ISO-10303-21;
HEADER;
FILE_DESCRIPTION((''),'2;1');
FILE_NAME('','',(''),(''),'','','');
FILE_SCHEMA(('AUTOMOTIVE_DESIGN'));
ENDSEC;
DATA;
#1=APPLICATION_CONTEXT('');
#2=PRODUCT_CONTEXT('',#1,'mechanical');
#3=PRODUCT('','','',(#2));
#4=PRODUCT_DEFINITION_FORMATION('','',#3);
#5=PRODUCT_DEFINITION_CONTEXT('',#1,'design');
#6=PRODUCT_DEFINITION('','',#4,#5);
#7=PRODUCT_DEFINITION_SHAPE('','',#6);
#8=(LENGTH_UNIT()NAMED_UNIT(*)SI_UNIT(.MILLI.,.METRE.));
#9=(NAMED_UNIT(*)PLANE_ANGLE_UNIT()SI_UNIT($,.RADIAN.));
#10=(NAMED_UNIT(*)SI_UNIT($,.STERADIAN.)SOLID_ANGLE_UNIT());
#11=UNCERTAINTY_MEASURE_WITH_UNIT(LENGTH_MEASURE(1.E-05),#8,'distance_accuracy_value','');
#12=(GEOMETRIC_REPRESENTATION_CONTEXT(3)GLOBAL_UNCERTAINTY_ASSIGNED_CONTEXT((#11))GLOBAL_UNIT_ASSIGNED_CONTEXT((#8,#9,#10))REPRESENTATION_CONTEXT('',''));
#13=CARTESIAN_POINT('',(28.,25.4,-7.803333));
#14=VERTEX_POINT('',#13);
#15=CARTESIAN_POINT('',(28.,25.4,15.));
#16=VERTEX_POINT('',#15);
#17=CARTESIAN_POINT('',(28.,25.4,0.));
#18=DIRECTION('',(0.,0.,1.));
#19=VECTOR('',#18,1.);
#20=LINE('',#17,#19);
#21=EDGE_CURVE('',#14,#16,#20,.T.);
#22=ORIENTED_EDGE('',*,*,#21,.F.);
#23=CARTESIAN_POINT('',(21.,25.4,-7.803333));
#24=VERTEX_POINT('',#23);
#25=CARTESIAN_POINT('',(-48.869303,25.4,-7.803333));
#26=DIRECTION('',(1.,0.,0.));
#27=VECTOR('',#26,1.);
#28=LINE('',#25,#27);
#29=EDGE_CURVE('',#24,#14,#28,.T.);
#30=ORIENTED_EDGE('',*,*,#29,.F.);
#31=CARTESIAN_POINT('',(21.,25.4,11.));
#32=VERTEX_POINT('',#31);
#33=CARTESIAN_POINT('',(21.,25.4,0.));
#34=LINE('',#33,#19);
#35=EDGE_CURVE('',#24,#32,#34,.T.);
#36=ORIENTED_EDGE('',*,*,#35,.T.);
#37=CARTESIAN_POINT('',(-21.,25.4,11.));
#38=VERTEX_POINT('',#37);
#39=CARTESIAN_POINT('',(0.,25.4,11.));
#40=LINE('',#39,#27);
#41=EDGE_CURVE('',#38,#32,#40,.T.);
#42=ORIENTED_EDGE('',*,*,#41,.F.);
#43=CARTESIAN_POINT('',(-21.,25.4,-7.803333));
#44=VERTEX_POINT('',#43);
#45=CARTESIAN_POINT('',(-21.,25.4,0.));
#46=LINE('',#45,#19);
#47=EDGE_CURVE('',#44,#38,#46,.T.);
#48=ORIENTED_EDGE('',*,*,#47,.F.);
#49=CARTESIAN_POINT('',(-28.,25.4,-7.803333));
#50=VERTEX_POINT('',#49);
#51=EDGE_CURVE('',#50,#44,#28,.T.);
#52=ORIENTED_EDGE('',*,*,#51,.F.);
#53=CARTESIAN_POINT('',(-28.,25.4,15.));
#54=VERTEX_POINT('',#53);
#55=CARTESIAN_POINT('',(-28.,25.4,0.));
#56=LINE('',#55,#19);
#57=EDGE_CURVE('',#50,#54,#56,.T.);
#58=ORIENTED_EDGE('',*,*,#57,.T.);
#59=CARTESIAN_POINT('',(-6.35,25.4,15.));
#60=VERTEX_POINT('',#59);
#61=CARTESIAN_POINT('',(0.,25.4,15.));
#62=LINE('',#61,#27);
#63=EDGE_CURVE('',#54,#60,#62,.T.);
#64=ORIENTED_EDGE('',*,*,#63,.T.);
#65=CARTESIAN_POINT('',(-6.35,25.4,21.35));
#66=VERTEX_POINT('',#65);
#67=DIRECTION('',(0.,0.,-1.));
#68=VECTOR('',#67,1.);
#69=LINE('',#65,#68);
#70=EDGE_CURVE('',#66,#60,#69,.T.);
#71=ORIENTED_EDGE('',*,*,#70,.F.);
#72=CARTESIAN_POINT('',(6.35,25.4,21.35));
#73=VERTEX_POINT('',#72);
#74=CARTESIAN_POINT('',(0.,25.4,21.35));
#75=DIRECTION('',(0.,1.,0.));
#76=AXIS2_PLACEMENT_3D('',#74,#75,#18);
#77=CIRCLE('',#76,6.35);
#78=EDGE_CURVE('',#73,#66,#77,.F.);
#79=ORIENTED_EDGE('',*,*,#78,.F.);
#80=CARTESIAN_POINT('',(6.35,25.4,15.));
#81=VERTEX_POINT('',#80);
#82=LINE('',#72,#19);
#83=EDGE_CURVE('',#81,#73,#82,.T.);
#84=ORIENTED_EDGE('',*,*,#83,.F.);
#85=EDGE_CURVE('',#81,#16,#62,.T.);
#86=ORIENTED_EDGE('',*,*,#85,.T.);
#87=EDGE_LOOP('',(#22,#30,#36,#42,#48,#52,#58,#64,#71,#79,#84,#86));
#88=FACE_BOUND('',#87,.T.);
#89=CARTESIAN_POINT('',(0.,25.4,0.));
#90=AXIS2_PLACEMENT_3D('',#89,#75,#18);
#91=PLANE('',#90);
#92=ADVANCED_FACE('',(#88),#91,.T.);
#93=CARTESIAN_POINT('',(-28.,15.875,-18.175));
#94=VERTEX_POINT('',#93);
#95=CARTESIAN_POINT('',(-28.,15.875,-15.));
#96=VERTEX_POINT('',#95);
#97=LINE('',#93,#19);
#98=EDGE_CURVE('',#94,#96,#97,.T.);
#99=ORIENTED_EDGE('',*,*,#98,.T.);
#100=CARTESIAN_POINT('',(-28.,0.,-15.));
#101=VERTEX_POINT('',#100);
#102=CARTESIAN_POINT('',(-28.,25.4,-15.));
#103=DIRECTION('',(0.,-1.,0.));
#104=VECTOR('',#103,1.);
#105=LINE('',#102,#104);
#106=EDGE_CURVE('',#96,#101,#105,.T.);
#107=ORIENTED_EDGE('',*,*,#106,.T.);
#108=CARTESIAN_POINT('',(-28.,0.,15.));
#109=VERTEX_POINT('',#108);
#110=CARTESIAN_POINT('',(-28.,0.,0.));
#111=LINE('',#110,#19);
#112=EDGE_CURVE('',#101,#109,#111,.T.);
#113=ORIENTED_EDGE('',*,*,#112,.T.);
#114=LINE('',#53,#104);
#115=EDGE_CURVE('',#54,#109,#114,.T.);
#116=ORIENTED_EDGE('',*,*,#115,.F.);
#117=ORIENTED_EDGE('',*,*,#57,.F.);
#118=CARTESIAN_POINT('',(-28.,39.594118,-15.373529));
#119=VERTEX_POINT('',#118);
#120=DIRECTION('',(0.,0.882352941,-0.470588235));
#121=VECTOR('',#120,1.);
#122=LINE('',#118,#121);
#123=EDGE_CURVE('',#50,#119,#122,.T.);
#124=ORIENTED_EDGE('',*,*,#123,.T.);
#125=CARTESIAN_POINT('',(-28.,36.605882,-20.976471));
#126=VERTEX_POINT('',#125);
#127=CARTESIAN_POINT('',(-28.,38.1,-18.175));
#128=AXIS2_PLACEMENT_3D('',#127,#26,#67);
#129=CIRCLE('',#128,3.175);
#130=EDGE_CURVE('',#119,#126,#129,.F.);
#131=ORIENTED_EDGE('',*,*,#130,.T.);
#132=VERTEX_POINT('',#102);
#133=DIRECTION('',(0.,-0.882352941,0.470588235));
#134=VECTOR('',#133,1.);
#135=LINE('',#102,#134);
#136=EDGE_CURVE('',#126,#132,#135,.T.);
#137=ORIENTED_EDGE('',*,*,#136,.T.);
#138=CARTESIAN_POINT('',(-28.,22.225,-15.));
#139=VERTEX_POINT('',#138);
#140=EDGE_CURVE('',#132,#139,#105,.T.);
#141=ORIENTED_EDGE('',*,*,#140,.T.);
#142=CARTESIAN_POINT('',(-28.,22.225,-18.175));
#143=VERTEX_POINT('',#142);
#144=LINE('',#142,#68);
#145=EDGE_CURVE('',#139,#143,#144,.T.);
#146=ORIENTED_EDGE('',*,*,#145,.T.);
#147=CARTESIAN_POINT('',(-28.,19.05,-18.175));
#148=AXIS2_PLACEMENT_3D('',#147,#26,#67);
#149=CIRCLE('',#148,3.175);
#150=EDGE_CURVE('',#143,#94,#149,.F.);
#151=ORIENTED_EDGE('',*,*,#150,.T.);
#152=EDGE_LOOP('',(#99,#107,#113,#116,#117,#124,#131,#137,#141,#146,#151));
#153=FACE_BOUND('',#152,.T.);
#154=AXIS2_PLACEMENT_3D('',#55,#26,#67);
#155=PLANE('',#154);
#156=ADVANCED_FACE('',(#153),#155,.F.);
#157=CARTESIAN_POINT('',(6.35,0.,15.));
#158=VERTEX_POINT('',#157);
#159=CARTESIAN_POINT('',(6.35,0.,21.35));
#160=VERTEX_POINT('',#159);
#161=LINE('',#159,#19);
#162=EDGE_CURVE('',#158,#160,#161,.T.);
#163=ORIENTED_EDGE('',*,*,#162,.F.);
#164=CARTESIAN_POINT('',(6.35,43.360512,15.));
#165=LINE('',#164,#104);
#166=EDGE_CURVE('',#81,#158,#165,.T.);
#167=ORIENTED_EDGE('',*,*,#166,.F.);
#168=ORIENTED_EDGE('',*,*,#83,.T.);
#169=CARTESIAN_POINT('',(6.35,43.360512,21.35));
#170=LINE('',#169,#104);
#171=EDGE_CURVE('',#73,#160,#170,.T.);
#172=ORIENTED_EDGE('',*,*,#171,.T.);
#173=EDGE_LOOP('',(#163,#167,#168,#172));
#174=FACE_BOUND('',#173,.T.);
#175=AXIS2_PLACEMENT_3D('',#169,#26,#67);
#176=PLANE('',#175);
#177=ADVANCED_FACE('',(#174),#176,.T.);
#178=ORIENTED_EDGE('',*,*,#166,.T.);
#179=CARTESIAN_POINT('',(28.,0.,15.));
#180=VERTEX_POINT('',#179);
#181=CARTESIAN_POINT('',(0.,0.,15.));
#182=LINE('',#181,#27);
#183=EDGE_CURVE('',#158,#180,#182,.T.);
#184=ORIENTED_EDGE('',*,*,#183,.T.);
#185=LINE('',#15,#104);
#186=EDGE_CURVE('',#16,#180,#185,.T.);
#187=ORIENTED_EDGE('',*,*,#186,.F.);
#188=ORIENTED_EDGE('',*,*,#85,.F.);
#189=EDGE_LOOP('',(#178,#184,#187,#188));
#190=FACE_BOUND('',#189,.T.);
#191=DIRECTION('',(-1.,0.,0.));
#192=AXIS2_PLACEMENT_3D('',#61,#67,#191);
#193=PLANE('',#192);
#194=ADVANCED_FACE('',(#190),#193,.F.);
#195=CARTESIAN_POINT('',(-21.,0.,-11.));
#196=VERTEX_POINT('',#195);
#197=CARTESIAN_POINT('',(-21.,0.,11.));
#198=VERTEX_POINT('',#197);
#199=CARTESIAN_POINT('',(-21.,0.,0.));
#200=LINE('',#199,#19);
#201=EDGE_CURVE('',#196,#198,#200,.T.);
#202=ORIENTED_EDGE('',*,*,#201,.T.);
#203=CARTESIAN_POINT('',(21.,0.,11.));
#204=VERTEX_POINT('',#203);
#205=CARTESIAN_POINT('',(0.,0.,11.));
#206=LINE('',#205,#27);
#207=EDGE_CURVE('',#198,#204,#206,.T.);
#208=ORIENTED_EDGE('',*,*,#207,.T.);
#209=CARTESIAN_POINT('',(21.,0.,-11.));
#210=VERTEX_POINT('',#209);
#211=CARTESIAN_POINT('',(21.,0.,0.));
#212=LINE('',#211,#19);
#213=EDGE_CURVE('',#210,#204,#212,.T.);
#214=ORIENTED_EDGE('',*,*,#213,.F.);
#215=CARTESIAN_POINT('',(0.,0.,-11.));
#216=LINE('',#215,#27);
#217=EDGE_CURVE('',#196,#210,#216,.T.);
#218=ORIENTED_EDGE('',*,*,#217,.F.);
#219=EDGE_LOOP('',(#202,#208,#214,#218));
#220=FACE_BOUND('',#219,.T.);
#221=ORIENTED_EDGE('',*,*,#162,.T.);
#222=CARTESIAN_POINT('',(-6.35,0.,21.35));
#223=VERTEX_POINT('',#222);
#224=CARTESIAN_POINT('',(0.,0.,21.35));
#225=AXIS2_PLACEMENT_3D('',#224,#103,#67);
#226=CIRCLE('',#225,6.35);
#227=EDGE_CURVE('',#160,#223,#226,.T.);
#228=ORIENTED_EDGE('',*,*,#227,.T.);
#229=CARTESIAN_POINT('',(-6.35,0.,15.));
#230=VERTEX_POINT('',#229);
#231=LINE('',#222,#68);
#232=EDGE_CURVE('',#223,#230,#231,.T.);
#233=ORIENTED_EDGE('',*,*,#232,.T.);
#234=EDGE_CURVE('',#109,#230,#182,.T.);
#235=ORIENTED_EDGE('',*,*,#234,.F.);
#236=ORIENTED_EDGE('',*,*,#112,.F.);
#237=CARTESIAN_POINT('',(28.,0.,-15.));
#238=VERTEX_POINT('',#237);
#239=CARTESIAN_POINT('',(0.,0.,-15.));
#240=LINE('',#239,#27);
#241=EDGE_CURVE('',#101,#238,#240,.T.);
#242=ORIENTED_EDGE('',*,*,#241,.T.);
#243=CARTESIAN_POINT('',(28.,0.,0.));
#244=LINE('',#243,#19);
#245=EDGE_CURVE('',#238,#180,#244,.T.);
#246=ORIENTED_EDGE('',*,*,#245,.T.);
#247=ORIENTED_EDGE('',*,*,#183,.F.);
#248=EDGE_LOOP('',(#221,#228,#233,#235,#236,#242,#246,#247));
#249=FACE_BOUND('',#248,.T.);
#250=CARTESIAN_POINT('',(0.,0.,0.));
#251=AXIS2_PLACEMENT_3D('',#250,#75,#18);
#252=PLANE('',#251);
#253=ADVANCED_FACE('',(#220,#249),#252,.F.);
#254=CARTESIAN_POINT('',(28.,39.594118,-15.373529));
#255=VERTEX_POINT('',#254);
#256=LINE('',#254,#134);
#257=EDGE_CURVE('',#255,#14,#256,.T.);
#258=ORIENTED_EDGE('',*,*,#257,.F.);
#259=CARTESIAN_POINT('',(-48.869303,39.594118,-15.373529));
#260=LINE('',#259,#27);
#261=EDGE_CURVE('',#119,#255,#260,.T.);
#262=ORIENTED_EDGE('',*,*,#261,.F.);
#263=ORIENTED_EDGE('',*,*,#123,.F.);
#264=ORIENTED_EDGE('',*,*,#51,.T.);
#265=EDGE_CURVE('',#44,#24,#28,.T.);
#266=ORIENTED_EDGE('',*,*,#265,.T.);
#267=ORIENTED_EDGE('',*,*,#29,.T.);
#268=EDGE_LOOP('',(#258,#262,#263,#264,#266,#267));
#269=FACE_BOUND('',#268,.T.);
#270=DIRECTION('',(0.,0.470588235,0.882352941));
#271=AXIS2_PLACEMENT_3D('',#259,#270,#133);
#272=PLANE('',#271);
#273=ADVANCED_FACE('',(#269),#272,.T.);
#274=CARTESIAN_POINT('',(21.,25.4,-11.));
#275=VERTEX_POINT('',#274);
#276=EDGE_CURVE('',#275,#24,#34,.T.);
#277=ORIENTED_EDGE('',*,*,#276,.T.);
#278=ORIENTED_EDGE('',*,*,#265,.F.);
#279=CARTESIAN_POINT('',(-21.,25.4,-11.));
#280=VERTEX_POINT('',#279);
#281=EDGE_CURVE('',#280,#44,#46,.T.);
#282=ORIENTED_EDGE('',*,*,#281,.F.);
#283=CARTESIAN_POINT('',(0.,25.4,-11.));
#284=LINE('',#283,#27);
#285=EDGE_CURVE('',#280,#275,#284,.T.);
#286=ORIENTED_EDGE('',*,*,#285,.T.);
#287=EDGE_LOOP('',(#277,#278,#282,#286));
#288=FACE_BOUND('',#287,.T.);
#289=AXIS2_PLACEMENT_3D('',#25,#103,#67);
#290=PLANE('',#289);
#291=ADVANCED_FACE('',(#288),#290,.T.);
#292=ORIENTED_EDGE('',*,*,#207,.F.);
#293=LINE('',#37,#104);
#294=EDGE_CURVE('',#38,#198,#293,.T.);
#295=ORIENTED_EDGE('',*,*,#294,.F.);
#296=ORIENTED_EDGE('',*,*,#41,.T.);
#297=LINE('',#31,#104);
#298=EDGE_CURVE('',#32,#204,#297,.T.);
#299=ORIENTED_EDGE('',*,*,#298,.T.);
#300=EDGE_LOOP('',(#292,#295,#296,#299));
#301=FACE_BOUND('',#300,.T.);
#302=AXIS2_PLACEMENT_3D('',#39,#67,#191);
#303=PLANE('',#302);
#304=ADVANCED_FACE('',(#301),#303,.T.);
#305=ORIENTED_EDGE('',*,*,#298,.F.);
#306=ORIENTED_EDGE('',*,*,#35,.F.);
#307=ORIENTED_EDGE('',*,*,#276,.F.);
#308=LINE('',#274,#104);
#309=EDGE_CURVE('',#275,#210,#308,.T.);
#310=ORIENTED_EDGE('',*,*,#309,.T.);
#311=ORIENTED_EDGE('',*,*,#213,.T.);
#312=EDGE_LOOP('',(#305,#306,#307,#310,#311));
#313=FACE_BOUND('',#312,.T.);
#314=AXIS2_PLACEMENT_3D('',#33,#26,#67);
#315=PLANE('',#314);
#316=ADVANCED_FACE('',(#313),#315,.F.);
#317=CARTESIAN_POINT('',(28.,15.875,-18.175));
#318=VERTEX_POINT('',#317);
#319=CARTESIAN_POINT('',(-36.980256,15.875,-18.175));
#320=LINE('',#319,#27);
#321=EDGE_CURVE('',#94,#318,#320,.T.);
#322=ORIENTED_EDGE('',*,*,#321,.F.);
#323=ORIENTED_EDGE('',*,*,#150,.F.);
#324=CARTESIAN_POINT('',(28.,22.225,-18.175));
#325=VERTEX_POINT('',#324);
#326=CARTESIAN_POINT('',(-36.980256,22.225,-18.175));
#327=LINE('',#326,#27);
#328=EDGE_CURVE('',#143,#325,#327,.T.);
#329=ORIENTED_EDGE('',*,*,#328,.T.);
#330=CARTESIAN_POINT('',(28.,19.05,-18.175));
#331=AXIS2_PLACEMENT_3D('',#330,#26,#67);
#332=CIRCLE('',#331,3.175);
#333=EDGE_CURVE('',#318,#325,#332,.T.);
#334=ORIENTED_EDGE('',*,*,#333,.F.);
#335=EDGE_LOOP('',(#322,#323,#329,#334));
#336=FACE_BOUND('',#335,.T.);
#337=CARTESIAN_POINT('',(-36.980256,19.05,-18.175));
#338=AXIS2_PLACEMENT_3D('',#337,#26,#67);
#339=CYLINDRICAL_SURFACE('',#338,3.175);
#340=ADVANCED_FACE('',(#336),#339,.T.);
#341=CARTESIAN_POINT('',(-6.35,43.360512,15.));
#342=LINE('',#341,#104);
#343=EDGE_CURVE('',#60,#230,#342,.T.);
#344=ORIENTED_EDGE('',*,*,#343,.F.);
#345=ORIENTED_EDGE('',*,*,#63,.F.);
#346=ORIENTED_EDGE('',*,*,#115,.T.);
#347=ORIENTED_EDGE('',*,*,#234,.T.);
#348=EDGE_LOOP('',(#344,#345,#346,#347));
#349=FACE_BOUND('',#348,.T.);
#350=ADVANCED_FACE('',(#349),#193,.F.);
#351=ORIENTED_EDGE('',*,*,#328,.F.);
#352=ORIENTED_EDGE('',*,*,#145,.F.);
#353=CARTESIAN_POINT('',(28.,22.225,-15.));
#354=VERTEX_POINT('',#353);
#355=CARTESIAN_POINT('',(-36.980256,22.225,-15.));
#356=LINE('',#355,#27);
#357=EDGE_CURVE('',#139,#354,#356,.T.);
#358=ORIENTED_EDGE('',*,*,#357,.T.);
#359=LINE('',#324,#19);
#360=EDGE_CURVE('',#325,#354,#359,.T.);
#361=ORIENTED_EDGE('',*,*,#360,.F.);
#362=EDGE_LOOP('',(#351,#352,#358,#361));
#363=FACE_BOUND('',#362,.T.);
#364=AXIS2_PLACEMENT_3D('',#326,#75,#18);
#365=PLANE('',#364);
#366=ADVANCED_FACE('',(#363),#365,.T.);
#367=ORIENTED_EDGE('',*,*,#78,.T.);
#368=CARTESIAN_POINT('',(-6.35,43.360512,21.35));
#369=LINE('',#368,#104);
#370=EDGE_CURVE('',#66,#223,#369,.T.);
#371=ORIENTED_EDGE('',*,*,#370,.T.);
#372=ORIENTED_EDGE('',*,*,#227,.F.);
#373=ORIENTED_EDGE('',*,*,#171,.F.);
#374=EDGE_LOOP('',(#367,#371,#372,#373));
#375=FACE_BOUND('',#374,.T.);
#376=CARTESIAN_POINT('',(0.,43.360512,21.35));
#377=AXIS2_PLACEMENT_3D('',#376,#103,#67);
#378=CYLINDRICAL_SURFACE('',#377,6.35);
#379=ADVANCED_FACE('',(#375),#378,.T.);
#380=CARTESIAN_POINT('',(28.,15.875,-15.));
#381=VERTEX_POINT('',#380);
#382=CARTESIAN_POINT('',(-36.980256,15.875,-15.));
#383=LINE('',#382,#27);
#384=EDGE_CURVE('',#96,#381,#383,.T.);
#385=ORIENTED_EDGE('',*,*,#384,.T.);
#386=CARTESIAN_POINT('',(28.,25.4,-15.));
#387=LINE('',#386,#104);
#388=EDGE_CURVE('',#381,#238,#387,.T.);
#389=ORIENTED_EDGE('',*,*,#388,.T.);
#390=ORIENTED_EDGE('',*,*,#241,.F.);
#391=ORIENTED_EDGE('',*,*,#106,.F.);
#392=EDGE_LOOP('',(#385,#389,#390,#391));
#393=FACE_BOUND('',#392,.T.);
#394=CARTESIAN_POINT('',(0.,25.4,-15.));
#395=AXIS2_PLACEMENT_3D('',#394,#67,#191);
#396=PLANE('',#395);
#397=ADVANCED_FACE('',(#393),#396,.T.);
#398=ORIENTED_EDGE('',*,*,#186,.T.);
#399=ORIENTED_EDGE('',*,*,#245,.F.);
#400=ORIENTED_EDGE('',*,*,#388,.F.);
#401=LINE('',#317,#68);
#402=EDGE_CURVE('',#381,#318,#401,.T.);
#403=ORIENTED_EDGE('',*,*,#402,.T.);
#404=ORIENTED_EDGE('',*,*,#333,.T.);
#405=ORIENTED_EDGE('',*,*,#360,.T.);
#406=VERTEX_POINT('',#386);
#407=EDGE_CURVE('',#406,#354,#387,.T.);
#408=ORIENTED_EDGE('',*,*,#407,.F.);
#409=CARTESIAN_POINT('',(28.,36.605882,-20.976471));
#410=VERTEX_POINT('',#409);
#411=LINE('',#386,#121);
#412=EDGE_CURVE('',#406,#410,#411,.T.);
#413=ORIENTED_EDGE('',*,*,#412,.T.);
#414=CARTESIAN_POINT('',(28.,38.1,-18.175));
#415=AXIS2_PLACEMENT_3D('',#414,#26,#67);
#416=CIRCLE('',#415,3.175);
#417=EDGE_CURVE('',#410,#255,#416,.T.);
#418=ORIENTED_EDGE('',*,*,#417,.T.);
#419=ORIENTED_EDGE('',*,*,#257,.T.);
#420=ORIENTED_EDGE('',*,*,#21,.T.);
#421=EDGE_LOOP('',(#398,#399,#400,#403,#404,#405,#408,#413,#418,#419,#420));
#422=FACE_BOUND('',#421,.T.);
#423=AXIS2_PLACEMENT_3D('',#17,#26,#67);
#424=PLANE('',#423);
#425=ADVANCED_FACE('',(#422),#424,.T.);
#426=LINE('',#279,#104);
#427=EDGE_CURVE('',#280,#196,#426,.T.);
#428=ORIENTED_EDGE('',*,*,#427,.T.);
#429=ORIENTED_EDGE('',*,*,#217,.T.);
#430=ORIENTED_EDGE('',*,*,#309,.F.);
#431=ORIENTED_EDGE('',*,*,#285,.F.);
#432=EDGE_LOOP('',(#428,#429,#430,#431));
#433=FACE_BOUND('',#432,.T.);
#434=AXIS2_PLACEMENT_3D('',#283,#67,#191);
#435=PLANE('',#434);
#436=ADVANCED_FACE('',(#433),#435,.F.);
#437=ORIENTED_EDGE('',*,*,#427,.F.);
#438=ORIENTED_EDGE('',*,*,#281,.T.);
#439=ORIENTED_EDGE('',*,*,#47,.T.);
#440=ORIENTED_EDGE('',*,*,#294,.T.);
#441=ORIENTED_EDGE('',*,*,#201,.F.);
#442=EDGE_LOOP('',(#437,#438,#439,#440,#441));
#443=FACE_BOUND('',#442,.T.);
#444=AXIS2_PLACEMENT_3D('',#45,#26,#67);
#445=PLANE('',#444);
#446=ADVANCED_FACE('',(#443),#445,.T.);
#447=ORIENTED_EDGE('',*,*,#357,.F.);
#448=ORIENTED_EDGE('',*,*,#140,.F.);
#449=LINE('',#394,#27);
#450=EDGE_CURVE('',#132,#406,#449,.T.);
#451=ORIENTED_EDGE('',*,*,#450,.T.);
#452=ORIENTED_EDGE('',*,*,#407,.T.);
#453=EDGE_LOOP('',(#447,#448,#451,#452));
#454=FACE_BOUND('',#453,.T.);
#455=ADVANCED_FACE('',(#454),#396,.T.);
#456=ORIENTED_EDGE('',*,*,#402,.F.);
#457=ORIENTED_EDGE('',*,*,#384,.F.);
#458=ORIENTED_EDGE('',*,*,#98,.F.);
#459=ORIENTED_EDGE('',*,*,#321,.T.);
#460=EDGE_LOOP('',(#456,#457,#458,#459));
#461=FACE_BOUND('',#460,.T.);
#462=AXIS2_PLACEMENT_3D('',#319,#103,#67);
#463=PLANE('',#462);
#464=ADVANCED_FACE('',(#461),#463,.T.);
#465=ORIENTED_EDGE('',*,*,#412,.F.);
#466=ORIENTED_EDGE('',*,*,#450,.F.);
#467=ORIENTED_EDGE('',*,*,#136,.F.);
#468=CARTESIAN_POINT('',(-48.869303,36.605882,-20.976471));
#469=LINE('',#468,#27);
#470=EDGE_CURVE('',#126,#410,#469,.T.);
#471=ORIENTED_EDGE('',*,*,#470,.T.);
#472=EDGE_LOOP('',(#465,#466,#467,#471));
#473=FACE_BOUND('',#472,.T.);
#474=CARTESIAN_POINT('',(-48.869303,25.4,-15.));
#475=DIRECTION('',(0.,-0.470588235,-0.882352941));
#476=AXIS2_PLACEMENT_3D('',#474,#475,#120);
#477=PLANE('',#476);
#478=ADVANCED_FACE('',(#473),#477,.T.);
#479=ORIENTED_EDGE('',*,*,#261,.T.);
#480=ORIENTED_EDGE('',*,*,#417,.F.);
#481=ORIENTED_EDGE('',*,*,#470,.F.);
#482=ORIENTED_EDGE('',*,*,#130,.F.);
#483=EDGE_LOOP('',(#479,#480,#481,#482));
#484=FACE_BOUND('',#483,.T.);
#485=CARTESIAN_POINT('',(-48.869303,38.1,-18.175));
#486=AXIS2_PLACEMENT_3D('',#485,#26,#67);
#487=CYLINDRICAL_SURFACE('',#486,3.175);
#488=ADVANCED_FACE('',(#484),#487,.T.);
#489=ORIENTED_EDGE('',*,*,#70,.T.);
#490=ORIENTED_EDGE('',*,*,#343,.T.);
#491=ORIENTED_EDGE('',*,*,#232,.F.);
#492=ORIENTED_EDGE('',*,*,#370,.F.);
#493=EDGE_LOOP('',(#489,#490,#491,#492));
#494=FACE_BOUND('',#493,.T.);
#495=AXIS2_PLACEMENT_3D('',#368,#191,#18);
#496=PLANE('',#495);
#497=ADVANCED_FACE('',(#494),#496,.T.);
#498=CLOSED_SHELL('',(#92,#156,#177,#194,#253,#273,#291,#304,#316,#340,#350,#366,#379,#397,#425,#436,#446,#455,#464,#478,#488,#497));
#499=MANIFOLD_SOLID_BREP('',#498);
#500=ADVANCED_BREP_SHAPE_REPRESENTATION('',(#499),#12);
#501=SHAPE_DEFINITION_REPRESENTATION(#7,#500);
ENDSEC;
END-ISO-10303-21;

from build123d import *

# Parameters (mm, degrees)
SKETCH1_W           = 56
SKETCH1_H           = 30
SKETCH1_W_2         = 42
SKETCH1_H_2         = 22
BOSS_EXTRUDE1_DEPTH = 25.4
BOSS_EXTRUDE2_DEPTH = 56
BOSS_EXTRUDE3_REACH = 67.092
BOSS_EXTRUDE4_DEPTH = 25.4


with BuildPart() as part:
    # Sketch1 → Boss-Extrude1 (new body)
    with BuildSketch(Plane(origin=(0, 0, 0), x_dir=(1, 0, 0), z_dir=(0, 1, 0))):
        Rectangle(SKETCH1_W, SKETCH1_H)
        Rectangle(SKETCH1_W_2, SKETCH1_H_2, mode=Mode.SUBTRACT)
    extrude(amount=BOSS_EXTRUDE1_DEPTH)

    # Sketch2 → Boss-Extrude2 (add)
    with BuildSketch(Plane(origin=(28, 0, 0), x_dir=(0, 0, -1), z_dir=(1, 0, 0))):
        with BuildLine():
            Line((18.175, 22.225), (15, 22.225))
            Line((15, 22.225), (15, 15.875))
            Line((15, 15.875), (18.175, 15.875))
            ThreePointArc((18.175, 15.875), (21.35, 19.05), (18.175, 22.225))
        make_face()
    extrude(amount=-BOSS_EXTRUDE2_DEPTH)

    # Boss-Extrude3: up to this face of the body (flat: up to its plane)
    boss_extrude3_end = Plane(part.part.faces().sort_by_distance((-28, 12.986434698, -0.806465427))[0])
    # Sketch3 → Boss-Extrude3 (add, up to the picked face)
    with BuildSketch(Plane(origin=(28, 0, 0), x_dir=(0, 0, -1), z_dir=(1, 0, 0)), mode=Mode.PRIVATE) as boss_extrude3_sk1:
        with BuildLine():
            Line((15, 25.4), (20.976470588, 36.605882353))
            ThreePointArc((20.976470588, 36.605882353), (19.669117647, 40.901470588), (15.373529412, 39.594117647))
            Line((15.373529412, 39.594117647), (7.803333333, 25.4))
            Line((7.803333333, 25.4), (15, 25.4))
        make_face()
    boss_extrude3_tool1 = split(extrude(boss_extrude3_sk1.sketch, amount=-BOSS_EXTRUDE3_REACH, mode=Mode.PRIVATE), bisect_by=boss_extrude3_end, keep=Keep.BOTH, mode=Mode.PRIVATE)
    add(boss_extrude3_tool1.solids().sort_by(Axis((28, 32.888225, -15.275113), (-1, 0, 0)))[0])

    # Sketch4 → Boss-Extrude4 (add)
    with BuildSketch(Plane.XZ):
        with BuildLine():
            Line((-6.35, 21.35), (-6.35, 15))
            Line((-6.35, 15), (6.35, 15))
            Line((6.35, 15), (6.35, 21.35))
            ThreePointArc((6.35, 21.35), (0, 27.7), (-6.35, 21.35))
        make_face()
    extrude(amount=-BOSS_EXTRUDE4_DEPTH)


solid = part.part
